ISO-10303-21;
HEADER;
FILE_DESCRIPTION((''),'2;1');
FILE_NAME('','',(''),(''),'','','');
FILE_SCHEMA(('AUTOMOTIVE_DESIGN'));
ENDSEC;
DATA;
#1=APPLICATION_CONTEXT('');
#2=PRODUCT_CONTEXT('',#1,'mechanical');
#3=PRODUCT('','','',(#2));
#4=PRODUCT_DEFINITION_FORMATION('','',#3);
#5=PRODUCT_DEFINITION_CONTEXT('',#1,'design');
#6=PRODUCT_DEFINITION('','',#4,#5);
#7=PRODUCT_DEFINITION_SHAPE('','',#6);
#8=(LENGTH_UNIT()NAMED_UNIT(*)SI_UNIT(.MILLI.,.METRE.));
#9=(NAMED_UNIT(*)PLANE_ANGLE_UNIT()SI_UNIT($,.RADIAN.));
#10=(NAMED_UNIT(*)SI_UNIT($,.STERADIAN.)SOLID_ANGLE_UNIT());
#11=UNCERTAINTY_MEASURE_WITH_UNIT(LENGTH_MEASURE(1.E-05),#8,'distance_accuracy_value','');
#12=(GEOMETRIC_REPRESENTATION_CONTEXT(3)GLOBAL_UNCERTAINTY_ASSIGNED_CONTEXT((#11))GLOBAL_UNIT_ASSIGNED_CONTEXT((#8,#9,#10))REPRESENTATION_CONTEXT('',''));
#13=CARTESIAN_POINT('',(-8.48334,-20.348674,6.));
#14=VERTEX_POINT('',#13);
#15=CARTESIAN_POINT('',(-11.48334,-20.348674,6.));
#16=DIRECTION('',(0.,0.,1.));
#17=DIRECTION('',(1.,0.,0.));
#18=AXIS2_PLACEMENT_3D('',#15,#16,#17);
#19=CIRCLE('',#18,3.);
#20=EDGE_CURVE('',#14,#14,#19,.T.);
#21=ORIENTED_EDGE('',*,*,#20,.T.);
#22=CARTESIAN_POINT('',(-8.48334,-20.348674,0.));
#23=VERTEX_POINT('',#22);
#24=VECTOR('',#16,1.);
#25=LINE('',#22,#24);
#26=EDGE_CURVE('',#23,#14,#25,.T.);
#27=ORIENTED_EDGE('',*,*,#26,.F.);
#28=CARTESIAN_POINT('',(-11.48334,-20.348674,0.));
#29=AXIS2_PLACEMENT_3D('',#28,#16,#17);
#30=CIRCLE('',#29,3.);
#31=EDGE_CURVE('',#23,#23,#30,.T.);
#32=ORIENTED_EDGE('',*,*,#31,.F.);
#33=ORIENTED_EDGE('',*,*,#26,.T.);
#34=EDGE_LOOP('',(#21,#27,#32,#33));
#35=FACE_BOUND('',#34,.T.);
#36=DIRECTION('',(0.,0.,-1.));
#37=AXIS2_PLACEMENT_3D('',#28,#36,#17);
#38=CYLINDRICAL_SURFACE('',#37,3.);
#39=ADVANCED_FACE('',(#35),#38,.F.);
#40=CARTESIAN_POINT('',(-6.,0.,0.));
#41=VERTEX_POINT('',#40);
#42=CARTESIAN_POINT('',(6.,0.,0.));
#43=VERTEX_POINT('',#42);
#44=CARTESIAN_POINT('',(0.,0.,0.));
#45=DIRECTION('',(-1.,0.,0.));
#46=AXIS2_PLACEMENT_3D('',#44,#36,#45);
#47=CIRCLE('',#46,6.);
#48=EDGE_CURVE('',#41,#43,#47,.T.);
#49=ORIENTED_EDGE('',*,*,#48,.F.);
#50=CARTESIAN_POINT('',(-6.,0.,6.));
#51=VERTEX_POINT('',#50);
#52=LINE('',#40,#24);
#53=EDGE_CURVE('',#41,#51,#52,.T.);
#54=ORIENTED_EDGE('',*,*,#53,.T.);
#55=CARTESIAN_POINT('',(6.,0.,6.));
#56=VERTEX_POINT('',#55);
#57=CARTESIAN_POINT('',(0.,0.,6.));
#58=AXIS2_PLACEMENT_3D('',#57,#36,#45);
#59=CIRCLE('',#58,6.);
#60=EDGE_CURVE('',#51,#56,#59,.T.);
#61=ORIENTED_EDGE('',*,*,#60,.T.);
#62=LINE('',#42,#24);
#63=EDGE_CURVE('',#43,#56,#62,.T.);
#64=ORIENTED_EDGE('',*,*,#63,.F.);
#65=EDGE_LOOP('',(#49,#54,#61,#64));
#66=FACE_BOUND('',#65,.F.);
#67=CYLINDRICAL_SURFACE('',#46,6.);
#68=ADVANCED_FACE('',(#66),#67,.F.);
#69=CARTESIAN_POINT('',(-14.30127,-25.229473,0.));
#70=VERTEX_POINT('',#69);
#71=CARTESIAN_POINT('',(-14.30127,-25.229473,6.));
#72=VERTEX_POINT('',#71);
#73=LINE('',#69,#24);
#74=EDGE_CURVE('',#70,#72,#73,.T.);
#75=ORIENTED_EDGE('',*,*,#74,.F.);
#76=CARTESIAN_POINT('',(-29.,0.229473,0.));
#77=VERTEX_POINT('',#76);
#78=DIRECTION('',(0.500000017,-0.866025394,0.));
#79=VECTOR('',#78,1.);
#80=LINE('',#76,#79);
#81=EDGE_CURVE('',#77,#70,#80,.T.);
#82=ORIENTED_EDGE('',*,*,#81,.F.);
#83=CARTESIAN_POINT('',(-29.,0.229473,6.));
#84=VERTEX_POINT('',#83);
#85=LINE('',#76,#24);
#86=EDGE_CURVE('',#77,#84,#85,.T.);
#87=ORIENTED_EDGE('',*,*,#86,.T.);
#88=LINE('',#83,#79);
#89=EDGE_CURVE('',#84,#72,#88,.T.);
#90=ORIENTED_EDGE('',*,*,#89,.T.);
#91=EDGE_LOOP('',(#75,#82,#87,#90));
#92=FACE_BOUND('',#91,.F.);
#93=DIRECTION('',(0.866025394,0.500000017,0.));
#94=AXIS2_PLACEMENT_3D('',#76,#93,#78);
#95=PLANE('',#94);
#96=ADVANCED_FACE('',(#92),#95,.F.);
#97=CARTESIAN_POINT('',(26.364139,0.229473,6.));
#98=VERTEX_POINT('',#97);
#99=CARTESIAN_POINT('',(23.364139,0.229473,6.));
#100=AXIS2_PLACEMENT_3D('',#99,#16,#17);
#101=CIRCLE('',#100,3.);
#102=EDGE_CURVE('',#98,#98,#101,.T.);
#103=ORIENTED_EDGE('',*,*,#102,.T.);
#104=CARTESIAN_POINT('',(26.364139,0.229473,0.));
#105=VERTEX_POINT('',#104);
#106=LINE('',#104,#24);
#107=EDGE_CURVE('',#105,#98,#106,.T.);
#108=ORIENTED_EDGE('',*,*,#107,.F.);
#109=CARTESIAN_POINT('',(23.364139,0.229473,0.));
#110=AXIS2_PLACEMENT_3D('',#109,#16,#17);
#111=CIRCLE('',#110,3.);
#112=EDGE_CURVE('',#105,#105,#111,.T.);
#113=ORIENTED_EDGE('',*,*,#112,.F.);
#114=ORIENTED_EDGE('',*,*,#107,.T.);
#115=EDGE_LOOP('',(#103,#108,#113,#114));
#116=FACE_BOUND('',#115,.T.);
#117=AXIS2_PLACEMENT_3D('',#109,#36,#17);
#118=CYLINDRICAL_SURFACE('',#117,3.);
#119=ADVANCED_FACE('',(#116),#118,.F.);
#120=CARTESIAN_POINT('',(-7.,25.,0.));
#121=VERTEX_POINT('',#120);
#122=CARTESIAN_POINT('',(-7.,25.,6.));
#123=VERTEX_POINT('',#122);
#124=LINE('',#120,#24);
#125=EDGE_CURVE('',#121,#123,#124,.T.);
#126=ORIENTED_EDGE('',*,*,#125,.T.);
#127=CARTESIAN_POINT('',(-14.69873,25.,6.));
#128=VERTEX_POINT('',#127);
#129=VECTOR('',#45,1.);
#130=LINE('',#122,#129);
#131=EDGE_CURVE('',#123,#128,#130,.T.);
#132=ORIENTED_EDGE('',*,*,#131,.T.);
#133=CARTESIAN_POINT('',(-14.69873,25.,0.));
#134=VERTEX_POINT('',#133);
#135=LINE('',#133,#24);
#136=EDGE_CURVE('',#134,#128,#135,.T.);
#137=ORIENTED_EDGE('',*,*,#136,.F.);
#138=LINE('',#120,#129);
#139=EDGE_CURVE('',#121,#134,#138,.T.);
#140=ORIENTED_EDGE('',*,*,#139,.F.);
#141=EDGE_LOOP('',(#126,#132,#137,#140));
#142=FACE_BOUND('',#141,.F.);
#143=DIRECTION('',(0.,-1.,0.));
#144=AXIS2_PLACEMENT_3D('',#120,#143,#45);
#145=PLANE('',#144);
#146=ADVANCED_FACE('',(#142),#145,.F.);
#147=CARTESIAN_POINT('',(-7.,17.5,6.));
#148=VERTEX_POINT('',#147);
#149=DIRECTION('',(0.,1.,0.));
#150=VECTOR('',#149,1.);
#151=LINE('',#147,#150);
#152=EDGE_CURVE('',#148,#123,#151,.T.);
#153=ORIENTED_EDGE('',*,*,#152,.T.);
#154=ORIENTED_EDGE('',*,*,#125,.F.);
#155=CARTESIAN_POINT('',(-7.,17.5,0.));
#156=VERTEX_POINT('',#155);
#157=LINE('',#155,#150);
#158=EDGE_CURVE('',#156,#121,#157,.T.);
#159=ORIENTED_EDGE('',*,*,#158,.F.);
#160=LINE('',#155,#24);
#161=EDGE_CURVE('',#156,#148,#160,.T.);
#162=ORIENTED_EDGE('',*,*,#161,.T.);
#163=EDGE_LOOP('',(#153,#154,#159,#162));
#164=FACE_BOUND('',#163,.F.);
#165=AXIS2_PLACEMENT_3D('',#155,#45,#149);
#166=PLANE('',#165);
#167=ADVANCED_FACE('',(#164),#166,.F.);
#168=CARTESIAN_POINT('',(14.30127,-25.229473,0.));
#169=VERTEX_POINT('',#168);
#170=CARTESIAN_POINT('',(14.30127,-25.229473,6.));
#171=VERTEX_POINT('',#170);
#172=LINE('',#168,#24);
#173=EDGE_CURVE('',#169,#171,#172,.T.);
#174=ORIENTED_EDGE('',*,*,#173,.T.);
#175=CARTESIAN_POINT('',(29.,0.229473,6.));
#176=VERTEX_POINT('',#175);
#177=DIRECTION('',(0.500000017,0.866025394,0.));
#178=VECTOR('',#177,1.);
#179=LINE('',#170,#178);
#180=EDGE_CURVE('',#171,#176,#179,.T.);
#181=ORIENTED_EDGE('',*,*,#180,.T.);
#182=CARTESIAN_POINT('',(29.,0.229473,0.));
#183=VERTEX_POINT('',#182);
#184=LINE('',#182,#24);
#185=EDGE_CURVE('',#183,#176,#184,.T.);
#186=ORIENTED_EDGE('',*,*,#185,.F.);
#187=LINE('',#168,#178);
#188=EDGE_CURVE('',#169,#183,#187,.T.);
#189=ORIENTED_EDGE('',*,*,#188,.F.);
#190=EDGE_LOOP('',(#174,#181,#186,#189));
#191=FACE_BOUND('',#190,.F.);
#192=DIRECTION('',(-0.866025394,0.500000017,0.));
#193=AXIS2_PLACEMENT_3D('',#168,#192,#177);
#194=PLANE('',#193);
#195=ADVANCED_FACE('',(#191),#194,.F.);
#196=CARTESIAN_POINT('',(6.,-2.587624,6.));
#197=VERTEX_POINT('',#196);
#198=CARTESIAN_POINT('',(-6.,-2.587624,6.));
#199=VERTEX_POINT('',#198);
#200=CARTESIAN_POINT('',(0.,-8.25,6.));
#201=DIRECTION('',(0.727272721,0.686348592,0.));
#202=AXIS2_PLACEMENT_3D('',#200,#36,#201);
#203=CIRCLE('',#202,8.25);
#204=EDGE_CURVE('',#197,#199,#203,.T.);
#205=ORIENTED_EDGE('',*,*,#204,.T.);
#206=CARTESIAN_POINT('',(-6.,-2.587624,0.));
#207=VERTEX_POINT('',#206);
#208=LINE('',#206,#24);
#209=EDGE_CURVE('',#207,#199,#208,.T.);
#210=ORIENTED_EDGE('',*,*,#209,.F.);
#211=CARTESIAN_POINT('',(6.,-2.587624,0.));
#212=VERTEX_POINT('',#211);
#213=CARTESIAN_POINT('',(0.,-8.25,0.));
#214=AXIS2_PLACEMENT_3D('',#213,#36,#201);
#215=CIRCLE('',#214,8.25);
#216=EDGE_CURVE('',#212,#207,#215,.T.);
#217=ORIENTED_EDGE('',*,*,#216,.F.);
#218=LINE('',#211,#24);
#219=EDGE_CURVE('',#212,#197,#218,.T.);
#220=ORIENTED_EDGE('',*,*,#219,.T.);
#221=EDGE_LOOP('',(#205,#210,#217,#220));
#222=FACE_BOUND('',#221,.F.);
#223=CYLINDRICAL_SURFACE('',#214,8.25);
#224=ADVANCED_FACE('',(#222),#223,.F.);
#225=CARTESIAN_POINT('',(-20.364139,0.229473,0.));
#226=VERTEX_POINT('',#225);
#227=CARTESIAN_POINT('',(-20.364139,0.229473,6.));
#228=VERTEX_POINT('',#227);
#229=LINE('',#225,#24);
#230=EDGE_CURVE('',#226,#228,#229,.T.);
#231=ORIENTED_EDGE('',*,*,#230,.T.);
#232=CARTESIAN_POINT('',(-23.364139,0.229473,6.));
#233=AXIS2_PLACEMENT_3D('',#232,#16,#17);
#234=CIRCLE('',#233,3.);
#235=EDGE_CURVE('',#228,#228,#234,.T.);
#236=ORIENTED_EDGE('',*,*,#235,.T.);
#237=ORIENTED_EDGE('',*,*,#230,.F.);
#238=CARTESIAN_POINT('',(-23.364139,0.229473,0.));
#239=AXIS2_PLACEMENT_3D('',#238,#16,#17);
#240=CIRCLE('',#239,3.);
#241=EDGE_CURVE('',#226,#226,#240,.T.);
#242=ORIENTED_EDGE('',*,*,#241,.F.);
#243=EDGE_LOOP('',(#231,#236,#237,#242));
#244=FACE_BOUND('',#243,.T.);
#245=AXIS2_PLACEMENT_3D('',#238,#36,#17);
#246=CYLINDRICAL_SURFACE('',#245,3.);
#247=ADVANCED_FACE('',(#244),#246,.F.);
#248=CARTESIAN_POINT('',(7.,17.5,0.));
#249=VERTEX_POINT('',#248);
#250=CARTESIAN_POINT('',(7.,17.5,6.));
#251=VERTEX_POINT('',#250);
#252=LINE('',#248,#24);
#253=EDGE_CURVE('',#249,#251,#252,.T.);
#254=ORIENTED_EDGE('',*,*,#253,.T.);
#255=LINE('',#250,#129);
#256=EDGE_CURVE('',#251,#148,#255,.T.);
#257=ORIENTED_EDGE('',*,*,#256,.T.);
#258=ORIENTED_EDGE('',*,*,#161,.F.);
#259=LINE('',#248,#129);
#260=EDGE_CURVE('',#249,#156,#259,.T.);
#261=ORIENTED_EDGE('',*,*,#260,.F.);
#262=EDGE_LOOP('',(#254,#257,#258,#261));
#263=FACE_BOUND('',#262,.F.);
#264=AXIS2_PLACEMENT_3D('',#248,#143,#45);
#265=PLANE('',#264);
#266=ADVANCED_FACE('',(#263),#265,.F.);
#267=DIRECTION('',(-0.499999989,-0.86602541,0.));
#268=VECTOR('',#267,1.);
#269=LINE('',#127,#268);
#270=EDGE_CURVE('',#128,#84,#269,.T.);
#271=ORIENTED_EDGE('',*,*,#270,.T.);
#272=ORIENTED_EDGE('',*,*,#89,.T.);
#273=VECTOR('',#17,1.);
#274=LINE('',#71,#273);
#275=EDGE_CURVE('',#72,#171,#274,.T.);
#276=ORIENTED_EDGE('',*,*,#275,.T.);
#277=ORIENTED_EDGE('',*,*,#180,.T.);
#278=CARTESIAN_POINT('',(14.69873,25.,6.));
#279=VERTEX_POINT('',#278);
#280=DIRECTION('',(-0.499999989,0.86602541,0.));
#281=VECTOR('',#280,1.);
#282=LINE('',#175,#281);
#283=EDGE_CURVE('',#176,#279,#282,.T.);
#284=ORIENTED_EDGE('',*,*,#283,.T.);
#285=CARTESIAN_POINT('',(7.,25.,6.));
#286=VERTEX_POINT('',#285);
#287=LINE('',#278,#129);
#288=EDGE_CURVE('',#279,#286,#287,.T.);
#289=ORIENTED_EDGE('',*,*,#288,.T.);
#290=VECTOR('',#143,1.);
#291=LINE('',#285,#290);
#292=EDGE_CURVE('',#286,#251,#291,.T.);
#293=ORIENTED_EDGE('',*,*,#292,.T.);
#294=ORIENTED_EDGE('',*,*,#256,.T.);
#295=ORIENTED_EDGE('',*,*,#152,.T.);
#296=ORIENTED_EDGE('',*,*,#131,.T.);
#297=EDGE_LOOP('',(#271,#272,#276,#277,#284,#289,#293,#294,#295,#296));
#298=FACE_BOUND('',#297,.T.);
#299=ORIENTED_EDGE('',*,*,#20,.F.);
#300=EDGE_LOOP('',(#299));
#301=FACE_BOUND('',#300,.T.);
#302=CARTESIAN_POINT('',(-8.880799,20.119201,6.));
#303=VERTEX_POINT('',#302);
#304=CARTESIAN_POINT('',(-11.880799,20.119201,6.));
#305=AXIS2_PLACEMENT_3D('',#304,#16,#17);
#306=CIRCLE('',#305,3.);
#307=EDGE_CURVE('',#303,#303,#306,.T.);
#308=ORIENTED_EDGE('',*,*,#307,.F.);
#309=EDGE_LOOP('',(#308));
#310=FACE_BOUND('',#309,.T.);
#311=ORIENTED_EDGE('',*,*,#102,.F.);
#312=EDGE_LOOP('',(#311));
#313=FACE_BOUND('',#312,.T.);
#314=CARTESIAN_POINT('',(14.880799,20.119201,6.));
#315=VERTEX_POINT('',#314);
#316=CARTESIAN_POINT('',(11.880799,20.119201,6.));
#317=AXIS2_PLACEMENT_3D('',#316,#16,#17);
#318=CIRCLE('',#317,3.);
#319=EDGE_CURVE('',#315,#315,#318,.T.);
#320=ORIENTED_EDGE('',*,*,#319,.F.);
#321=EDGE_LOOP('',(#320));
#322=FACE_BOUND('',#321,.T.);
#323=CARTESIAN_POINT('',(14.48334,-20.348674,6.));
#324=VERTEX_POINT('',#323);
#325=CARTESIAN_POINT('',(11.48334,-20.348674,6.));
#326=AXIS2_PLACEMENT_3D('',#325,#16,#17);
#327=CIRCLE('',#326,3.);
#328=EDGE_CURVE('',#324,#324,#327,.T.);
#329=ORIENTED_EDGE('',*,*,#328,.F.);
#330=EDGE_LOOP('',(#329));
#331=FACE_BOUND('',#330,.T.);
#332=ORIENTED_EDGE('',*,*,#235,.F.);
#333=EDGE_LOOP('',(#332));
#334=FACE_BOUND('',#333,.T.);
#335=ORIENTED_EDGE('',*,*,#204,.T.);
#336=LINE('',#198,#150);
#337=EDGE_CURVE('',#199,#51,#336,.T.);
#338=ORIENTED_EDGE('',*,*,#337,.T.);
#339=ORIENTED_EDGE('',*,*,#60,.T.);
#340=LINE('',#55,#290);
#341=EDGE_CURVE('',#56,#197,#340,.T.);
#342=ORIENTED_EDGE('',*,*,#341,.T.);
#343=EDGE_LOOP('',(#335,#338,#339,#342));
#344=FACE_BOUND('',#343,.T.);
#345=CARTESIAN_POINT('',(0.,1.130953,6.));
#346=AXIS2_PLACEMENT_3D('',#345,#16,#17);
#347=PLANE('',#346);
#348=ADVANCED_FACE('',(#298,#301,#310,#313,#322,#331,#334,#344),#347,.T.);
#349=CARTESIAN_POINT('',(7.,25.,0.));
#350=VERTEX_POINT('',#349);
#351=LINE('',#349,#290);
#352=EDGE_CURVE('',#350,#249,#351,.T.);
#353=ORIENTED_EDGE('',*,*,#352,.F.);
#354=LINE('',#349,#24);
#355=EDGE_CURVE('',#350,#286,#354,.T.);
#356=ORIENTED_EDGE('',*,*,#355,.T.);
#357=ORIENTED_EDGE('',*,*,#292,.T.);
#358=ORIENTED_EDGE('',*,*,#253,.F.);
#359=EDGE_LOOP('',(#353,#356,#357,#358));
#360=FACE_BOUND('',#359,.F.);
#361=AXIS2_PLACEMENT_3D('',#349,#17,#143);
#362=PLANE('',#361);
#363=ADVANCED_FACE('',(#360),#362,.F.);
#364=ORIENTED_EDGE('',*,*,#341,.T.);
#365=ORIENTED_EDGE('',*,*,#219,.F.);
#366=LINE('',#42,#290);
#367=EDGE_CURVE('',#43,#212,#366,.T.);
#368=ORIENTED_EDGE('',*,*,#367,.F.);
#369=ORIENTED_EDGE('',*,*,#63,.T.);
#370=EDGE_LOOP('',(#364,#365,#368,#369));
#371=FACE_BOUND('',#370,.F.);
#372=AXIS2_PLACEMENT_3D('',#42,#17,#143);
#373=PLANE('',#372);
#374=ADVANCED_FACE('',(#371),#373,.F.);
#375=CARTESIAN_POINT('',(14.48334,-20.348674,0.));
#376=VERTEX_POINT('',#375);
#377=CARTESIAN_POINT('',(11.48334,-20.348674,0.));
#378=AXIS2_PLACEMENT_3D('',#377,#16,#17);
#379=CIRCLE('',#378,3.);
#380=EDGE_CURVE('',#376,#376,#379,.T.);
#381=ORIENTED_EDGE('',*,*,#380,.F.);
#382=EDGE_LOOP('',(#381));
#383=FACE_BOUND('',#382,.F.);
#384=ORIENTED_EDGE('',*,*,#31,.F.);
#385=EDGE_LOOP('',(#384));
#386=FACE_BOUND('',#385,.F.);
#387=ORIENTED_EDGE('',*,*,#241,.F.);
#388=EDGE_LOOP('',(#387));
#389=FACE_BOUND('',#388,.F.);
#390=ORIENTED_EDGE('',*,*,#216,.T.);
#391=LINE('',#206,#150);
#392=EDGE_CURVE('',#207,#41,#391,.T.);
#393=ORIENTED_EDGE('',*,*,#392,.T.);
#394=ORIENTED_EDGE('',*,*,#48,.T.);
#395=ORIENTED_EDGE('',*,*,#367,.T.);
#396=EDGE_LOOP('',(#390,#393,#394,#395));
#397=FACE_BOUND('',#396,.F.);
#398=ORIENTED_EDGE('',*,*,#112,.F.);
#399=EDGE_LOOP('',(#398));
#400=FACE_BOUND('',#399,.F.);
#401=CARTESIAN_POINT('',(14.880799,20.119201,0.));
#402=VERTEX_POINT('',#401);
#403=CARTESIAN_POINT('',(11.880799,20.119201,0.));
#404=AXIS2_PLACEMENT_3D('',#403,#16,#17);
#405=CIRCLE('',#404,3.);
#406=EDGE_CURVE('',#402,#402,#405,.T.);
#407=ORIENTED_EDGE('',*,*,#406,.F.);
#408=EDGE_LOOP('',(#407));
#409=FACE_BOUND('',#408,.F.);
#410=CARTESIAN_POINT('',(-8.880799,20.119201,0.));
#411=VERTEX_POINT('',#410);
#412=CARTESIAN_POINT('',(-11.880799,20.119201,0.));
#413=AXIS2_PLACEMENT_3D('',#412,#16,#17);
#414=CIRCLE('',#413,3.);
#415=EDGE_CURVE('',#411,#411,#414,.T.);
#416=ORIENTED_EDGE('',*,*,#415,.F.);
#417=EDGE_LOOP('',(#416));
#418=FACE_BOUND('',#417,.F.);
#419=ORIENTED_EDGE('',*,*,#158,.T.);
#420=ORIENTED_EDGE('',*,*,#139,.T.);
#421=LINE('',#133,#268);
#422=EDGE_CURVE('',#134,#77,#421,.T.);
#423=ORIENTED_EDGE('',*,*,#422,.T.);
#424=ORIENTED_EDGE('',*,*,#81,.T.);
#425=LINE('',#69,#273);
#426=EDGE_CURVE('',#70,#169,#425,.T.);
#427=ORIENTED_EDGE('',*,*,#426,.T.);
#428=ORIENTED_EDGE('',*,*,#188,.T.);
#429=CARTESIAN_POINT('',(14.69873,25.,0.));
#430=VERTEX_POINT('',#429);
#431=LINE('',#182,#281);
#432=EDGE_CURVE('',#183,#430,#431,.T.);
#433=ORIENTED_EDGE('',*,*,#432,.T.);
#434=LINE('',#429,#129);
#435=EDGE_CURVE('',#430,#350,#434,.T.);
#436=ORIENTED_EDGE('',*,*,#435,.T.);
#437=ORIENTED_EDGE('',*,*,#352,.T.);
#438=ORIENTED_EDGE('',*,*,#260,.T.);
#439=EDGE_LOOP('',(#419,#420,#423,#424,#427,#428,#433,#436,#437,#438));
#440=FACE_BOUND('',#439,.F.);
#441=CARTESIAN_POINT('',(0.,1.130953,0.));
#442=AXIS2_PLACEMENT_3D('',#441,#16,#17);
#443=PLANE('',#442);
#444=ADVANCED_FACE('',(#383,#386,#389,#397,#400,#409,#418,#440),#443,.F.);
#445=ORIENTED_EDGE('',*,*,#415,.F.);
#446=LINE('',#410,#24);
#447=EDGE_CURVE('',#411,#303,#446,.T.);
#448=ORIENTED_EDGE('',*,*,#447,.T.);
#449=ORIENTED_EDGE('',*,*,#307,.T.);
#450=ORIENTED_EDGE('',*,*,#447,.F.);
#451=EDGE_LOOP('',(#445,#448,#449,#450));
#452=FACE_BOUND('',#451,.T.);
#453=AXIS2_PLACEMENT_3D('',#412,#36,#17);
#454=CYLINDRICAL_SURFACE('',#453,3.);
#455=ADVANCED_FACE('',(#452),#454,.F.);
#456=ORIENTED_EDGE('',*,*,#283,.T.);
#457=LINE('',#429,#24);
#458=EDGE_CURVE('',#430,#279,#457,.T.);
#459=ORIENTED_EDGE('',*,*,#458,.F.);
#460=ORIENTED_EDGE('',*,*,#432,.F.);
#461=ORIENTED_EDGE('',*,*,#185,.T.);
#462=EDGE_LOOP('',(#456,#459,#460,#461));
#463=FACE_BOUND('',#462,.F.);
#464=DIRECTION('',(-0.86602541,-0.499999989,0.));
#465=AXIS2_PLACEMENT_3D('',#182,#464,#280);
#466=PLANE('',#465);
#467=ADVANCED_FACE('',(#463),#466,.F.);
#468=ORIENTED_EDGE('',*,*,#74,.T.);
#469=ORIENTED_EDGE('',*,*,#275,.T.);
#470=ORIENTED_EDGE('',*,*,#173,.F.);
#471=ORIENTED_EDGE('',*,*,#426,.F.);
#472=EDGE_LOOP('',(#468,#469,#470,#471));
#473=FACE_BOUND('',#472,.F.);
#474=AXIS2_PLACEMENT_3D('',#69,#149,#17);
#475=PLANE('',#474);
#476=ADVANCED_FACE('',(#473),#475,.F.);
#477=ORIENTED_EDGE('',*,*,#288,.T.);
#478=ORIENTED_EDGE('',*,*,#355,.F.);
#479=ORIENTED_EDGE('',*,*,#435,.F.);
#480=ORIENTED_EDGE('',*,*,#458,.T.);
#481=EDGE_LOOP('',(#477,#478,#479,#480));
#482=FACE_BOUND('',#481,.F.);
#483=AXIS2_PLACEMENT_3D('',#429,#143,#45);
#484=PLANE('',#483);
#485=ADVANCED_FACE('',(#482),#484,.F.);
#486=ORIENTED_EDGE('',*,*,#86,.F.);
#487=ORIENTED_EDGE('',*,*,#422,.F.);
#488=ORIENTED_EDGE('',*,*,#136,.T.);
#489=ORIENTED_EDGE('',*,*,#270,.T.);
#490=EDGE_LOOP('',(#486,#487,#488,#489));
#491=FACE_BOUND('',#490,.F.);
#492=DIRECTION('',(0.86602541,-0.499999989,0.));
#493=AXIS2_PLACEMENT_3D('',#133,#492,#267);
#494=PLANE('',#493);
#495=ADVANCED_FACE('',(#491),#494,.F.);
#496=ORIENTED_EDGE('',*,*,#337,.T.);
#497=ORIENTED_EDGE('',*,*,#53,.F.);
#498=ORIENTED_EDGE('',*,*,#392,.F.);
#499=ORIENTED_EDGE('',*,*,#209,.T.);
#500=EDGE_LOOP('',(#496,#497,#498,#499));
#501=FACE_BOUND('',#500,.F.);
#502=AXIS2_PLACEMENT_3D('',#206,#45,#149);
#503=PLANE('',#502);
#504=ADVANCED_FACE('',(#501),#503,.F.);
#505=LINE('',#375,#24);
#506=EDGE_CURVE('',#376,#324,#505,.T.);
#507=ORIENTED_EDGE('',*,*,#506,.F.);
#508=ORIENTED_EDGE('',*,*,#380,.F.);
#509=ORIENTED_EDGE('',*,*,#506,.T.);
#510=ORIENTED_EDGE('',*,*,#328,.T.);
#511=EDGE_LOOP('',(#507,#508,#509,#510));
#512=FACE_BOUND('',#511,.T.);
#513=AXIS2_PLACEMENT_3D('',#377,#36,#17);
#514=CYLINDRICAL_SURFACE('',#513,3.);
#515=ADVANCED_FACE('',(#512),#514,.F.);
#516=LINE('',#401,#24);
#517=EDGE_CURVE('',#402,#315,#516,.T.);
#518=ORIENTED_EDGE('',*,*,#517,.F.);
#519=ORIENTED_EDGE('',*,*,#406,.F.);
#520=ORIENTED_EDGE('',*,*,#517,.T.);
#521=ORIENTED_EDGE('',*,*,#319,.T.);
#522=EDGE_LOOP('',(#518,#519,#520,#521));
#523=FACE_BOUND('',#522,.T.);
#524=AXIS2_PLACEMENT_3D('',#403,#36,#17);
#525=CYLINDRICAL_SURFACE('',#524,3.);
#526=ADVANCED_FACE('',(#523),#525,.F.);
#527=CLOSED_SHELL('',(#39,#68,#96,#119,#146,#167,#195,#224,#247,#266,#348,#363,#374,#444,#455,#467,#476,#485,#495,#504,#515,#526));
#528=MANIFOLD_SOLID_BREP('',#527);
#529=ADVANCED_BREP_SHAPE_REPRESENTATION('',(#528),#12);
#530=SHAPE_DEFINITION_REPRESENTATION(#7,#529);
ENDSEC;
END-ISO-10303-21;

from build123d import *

# Parameters (mm, degrees)
F0_R     = 3
F1_DEPTH = 6


with BuildPart() as f1:
    # F0 (on Top) → F1 (new body)
    with BuildSketch(Plane.XY):
        Polygon((-14.69873, 25), (-29, 0.229473), (-14.30127, -25.229473), (14.30127, -25.229473), (29, 0.229473), (14.69873, 25), (7, 25), (7, 17.5), (-7, 17.5), (-7, 25), align=None)
        with Locations((-11.48334, -20.348674)):
            Circle(F0_R, mode=Mode.SUBTRACT)
        with Locations((11.48334, -20.348674)):
            Circle(F0_R, mode=Mode.SUBTRACT)
        with BuildLine():
            Line((-6, -2.587624), (-6, 0))
            ThreePointArc((-6, 0), (0, 6), (6, 0))
            Line((6, 0), (6, -2.587624))
            ThreePointArc((6, -2.587624), (0, -16.5), (-6, -2.587624))
        make_face(mode=Mode.SUBTRACT)
        with Locations((-23.364139, 0.229473)):
            Circle(F0_R, mode=Mode.SUBTRACT)
        with Locations((-11.880799, 20.119201)):
            Circle(F0_R, mode=Mode.SUBTRACT)
        with Locations((23.364139, 0.229473)):
            Circle(F0_R, mode=Mode.SUBTRACT)
        with Locations((11.880799, 20.119201)):
            Circle(F0_R, mode=Mode.SUBTRACT)
    extrude(amount=F1_DEPTH)


solid = f1.part
